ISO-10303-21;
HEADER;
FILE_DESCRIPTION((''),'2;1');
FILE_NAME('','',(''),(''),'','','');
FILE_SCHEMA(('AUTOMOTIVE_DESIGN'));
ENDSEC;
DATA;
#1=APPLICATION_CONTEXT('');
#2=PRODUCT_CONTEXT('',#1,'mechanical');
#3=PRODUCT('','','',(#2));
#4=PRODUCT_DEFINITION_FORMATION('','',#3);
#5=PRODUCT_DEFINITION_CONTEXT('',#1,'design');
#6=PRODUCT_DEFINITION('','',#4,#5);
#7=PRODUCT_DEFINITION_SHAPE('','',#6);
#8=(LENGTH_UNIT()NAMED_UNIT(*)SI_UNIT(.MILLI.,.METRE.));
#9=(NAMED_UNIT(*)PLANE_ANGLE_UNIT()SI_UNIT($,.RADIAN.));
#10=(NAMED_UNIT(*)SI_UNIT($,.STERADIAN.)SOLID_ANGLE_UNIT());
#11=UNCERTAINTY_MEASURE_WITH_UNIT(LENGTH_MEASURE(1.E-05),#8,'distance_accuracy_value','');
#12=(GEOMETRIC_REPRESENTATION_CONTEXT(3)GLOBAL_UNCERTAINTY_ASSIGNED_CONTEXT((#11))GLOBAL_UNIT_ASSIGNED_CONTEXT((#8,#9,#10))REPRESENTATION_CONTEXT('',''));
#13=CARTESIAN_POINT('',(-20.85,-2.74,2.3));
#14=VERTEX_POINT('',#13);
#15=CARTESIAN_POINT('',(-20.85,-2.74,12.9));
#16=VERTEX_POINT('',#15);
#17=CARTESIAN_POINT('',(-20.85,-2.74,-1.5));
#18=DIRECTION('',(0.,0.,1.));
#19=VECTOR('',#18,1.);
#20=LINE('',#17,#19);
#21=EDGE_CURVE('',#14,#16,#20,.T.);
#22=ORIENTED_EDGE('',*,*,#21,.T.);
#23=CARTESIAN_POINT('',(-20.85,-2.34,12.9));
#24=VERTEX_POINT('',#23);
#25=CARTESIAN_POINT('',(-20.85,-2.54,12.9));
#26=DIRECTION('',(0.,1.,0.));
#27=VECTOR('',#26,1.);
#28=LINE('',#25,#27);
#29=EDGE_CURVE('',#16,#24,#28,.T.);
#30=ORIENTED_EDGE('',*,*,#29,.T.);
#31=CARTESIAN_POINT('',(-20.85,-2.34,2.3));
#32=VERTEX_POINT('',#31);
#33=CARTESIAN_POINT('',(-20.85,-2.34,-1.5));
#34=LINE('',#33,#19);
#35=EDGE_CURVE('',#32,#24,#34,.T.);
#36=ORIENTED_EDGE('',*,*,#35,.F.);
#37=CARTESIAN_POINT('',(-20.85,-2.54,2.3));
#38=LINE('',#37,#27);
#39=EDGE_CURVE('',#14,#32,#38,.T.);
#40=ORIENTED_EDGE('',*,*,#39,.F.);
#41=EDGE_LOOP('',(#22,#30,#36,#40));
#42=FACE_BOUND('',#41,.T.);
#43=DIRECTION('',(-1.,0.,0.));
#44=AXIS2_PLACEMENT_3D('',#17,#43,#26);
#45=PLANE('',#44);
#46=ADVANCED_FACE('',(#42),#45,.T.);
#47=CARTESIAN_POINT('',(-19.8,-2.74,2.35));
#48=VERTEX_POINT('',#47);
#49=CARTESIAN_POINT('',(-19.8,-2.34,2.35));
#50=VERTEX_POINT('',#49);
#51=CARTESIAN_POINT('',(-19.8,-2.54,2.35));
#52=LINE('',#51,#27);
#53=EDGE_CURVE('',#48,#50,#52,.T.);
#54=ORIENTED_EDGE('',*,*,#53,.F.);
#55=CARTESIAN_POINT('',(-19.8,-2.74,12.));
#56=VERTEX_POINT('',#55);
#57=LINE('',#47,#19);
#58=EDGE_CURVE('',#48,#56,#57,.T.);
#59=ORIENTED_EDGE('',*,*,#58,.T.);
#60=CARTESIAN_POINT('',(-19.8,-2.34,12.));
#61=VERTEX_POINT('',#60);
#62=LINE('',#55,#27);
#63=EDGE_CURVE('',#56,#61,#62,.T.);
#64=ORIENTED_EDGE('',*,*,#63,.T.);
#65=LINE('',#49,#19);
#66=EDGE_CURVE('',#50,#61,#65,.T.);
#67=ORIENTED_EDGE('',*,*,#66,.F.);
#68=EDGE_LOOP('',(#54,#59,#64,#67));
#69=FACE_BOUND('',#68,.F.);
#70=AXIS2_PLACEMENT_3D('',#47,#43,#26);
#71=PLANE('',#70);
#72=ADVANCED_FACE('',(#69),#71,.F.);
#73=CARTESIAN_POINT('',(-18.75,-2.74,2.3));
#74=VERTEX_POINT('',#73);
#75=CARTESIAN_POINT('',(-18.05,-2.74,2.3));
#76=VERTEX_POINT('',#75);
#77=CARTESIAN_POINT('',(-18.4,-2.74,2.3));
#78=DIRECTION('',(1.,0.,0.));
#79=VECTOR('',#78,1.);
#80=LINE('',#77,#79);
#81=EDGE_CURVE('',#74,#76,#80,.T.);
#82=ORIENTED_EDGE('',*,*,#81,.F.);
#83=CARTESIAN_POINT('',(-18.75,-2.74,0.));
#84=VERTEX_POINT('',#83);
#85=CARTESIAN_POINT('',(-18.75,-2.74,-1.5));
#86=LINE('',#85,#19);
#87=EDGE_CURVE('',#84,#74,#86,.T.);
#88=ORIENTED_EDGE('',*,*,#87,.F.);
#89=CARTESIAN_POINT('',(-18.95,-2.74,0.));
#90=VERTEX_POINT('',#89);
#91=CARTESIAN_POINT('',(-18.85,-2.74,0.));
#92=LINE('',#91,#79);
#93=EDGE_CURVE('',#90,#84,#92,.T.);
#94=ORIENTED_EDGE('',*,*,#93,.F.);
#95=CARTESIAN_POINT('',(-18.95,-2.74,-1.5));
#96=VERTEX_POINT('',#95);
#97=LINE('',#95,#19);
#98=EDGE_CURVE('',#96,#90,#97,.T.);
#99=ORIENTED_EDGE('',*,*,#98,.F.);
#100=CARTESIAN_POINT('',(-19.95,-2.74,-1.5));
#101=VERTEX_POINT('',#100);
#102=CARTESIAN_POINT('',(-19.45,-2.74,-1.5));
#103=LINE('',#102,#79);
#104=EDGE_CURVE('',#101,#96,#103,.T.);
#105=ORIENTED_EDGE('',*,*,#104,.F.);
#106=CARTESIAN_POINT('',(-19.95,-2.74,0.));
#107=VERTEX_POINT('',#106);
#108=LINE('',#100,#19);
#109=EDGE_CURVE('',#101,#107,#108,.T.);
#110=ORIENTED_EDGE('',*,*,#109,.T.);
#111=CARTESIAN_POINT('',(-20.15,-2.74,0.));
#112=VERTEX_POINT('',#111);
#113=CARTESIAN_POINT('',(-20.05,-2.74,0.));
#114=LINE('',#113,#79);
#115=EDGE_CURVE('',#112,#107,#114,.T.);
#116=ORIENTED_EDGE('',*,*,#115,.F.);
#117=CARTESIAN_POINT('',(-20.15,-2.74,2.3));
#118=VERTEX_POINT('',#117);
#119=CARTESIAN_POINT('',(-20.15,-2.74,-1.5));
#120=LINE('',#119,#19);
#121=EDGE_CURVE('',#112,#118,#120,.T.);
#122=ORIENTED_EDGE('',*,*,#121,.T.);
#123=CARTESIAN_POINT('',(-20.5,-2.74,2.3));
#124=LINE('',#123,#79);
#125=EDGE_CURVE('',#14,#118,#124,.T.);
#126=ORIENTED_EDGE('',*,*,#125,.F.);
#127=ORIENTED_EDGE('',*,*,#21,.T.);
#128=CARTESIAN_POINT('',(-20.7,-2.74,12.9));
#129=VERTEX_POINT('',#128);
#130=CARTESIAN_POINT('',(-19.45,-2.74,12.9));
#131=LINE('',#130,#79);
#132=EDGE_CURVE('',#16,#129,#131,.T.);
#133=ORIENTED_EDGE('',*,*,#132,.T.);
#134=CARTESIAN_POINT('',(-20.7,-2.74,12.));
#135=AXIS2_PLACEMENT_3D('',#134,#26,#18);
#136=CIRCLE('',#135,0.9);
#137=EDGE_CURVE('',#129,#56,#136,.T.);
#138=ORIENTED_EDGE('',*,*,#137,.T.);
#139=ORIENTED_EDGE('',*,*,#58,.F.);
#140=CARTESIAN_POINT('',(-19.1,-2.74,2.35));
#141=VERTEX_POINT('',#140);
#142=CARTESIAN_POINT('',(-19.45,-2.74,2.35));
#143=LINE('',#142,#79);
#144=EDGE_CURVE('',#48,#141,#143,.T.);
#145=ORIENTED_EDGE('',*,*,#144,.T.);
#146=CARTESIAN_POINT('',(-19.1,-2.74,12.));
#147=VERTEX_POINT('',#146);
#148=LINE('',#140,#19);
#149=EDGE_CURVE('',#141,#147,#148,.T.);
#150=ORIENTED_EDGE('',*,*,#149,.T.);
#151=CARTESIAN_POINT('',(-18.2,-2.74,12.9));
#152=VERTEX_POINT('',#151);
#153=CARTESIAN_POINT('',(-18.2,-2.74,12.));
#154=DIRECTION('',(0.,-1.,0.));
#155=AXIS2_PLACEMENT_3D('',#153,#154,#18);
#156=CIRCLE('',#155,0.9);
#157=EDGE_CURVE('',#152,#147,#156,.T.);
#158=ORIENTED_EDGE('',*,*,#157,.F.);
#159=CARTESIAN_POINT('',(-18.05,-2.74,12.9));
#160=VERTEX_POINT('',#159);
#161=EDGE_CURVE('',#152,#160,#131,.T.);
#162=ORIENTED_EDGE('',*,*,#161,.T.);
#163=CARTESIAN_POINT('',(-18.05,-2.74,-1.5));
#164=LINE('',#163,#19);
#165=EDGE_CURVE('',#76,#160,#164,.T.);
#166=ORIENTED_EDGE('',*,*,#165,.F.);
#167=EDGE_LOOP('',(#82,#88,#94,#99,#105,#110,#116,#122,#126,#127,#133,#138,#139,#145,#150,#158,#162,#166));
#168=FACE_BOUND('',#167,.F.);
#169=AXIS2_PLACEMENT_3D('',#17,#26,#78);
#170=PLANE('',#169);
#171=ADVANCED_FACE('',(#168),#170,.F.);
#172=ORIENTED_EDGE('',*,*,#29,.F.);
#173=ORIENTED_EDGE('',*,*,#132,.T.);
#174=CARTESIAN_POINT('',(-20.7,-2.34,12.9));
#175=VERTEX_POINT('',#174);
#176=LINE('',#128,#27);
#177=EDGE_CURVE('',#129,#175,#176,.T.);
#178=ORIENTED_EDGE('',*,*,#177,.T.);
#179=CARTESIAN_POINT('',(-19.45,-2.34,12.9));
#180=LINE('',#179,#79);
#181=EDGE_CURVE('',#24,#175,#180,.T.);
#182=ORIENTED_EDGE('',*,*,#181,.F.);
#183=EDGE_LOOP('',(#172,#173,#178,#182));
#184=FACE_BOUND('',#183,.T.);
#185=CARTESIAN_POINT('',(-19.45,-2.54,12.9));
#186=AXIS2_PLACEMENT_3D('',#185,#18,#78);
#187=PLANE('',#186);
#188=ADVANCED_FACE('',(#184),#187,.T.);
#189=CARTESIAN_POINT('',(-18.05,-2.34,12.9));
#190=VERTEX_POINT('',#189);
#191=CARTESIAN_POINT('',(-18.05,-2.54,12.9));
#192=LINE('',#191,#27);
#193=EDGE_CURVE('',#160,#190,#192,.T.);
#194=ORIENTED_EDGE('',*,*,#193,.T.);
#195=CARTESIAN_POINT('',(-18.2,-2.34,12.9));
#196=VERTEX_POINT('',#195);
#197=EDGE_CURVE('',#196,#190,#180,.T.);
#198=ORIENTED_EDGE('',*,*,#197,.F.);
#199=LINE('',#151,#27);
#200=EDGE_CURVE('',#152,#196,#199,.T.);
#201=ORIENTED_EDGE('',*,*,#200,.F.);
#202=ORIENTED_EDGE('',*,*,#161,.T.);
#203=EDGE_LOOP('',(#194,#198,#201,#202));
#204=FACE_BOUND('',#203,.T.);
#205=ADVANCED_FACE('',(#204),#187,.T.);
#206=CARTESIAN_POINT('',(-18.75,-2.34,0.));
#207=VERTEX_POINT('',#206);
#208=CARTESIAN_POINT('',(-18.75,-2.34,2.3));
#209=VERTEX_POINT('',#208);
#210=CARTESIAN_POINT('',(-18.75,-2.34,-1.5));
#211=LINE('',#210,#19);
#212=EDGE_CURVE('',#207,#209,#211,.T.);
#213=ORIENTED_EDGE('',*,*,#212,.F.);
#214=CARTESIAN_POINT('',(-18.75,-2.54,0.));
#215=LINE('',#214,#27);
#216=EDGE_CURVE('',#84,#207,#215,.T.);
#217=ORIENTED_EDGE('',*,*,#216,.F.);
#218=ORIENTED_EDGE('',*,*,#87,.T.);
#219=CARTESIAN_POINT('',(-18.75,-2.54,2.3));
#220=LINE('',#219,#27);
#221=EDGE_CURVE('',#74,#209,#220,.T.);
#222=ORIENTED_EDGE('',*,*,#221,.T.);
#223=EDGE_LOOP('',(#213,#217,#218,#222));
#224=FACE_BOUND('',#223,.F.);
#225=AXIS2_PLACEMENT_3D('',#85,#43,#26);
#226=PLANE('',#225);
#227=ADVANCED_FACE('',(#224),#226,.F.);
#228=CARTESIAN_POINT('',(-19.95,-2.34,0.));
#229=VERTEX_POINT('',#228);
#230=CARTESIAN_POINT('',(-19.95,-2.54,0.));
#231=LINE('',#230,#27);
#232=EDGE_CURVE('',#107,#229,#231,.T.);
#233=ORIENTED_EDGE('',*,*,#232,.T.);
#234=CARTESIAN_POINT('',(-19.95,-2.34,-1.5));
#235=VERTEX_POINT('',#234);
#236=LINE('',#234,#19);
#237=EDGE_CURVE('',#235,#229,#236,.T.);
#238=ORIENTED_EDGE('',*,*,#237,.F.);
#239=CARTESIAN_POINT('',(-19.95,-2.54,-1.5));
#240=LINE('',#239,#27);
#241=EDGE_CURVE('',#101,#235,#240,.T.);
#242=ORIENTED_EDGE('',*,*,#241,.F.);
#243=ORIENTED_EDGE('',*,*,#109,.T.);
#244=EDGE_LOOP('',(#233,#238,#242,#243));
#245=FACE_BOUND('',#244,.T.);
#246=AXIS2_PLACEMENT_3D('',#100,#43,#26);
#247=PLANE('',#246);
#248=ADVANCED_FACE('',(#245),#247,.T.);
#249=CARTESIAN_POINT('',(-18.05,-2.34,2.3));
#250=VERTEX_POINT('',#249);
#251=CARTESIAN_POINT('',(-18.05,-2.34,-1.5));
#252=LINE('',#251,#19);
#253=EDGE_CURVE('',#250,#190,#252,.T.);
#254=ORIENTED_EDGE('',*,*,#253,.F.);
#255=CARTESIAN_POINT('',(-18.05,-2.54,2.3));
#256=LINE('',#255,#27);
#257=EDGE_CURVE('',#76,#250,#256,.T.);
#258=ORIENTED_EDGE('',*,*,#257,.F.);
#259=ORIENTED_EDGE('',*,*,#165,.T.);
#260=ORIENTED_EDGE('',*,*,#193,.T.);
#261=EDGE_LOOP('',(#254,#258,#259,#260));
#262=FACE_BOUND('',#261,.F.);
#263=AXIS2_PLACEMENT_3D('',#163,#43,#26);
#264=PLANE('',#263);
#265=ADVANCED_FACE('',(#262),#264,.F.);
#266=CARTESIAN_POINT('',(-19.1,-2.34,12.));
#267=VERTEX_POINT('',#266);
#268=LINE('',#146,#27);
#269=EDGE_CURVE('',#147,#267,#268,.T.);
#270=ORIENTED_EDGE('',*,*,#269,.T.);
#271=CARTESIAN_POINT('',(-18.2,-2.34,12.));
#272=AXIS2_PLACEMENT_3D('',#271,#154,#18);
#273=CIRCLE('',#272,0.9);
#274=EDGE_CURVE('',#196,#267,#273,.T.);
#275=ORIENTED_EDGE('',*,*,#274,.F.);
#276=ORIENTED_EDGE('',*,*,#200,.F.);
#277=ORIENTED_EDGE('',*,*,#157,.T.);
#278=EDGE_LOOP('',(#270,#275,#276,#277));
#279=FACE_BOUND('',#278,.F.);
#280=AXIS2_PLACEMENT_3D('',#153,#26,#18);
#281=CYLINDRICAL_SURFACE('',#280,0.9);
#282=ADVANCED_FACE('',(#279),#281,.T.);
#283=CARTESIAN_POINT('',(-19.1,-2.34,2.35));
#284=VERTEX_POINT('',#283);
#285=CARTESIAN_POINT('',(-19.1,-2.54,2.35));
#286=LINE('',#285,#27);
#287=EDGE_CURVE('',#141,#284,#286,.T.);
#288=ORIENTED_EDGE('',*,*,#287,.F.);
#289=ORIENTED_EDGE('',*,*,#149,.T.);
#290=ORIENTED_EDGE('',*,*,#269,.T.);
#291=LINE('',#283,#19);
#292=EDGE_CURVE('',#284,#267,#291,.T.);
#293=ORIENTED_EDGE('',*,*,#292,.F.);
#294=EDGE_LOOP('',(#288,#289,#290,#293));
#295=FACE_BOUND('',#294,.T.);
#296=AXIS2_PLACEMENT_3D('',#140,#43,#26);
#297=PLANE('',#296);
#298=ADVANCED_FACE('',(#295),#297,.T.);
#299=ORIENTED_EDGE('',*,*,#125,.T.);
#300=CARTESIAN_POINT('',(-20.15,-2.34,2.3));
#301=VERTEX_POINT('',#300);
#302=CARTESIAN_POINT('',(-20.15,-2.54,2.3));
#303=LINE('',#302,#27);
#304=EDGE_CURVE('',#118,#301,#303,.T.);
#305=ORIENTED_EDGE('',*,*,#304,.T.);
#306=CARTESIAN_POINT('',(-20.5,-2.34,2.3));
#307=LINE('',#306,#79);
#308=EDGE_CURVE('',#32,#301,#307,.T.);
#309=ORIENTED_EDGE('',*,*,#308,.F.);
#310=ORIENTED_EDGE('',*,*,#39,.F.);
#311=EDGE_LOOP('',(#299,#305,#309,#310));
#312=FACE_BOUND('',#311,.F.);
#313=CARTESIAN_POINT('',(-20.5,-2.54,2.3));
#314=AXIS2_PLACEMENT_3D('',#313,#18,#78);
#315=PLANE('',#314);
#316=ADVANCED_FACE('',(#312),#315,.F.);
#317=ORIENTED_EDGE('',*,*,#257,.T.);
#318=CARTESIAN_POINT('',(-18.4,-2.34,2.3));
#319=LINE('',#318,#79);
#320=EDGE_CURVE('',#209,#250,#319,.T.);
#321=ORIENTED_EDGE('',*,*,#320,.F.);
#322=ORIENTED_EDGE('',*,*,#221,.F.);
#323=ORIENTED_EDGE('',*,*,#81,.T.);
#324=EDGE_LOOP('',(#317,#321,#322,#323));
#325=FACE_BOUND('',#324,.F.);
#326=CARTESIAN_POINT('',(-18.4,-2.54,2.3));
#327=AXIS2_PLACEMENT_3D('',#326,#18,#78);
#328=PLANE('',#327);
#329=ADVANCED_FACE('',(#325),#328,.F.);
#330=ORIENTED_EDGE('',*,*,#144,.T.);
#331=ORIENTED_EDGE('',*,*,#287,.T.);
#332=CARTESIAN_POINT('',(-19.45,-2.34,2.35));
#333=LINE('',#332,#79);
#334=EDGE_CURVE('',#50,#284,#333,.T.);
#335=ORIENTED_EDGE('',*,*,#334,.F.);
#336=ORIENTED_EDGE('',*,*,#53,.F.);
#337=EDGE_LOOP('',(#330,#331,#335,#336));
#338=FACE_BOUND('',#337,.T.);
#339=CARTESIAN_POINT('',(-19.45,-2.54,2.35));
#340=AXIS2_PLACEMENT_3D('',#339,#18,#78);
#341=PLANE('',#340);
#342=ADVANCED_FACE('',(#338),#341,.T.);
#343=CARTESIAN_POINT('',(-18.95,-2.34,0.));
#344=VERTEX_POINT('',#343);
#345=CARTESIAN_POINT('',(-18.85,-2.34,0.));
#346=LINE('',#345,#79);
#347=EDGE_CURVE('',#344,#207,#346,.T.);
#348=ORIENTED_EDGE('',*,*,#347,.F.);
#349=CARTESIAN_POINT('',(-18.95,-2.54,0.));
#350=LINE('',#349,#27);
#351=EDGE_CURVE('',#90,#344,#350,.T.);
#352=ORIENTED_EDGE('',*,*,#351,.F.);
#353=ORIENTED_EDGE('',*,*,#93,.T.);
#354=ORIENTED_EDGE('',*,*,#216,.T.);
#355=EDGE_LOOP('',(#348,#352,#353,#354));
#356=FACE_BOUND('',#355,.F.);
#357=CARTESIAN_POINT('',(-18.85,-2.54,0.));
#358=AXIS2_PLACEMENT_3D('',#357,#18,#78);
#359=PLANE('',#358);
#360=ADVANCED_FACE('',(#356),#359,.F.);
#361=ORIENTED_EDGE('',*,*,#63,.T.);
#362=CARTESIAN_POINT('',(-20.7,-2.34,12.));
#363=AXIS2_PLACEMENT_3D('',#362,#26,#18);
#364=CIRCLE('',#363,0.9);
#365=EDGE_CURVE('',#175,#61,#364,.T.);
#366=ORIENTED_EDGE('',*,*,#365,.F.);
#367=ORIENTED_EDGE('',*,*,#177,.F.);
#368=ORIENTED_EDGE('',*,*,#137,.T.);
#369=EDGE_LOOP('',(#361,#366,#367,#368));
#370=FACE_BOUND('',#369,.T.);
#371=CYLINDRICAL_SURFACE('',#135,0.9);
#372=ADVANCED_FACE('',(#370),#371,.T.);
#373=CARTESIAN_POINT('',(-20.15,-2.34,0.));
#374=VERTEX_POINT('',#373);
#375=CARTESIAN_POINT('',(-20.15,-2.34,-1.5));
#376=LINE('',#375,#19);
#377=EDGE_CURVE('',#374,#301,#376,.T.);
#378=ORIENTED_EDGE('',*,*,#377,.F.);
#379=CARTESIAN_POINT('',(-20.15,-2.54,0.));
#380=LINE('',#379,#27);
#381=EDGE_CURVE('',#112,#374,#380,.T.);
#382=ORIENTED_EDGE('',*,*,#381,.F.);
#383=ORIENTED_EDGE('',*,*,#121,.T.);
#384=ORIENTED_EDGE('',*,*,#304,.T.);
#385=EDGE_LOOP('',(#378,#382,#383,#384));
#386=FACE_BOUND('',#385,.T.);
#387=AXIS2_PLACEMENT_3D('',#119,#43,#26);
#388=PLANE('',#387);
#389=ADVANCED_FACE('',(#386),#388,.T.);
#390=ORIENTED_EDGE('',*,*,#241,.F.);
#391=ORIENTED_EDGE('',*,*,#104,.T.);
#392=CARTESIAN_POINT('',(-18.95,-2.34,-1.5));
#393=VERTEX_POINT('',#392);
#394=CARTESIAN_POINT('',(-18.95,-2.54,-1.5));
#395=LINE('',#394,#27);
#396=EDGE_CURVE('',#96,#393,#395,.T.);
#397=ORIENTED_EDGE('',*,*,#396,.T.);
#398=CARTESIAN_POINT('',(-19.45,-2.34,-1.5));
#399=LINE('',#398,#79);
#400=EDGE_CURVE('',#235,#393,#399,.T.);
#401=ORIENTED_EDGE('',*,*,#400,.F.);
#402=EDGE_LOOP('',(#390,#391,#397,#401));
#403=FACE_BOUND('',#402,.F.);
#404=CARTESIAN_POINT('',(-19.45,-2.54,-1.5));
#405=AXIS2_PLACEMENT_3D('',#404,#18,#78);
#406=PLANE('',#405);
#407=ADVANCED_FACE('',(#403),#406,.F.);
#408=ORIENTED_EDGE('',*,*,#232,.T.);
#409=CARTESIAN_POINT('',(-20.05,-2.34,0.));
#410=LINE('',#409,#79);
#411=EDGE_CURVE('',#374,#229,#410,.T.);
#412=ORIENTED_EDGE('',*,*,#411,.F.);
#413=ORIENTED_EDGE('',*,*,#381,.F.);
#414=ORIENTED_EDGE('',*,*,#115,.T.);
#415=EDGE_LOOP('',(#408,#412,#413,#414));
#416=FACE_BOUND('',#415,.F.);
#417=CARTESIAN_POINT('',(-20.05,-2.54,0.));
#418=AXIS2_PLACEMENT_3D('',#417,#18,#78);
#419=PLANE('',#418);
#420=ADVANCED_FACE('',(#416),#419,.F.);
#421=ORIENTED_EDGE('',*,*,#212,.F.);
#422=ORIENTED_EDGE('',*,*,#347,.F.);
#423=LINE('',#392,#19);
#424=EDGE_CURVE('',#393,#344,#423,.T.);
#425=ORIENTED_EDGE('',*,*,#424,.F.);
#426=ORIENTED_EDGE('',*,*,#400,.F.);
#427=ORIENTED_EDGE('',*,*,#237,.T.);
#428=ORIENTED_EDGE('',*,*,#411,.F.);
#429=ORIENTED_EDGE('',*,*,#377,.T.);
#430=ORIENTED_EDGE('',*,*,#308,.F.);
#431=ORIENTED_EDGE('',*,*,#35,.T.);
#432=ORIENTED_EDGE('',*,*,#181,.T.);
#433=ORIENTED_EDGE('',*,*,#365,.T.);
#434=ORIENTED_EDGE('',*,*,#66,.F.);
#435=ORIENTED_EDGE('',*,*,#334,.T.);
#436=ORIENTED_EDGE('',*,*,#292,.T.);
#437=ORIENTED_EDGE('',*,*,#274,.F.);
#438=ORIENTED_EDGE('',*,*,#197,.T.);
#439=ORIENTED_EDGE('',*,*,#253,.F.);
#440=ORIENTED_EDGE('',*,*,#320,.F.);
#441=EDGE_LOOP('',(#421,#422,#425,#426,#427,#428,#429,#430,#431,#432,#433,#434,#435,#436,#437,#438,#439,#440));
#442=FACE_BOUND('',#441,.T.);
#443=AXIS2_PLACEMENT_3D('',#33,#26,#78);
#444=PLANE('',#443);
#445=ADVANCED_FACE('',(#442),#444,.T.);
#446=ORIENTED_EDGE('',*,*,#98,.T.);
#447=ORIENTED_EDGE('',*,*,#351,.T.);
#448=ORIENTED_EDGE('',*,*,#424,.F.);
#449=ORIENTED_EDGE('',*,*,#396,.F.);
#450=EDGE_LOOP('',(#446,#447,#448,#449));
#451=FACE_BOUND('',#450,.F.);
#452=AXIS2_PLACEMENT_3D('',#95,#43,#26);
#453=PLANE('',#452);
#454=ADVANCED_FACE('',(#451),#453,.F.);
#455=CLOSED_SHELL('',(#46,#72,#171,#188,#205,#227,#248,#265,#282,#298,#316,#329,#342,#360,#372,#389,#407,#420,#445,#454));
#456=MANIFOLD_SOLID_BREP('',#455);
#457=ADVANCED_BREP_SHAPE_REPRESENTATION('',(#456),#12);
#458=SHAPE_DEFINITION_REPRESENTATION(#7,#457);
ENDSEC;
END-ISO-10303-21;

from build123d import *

# Parameters (mm, degrees)
BOX008_W     = 2.8
BOX008_H     = 0.4
BOX008_DEPTH = 14.4
BOX009_W     = 0.7
BOX009_H     = 0.4
BOX009_DEPTH = 10.55
BOX010_W     = 0.7
BOX010_H     = 0.4
BOX010_DEPTH = 3.8
BOX011_W     = 0.7
BOX011_H     = 0.4
BOX011_DEPTH = 3.8
BOX013_W     = 0.2
BOX013_H     = 0.4
BOX013_DEPTH = 1.5
BOX014_W     = 0.2
BOX014_H     = 0.4
BOX014_DEPTH = 1.5
FILLET002_R  = 0.9


with BuildPart() as part:
    # Box008 → Box008 (join)
    with BuildSketch(Plane(origin=(-20.85, -2.74, -1.5), x_dir=(1, 0, 0), z_dir=(0, 0, 1))):
        with Locations((1.4, 0.2)):
            Rectangle(BOX008_W, BOX008_H)
    extrude(amount=BOX008_DEPTH)

    # Box009 → Box009 (cut)
    with BuildSketch(Plane(origin=(-19.8, -2.74, 2.35), x_dir=(1, 0, 0), z_dir=(0, 0, 1))):
        with Locations((0.35, 0.2)):
            Rectangle(BOX009_W, BOX009_H)
    extrude(amount=BOX009_DEPTH, mode=Mode.SUBTRACT)

    # Box010 → Box010 (cut)
    with BuildSketch(Plane(origin=(-20.85, -2.74, -1.5), x_dir=(1, 0, 0), z_dir=(0, 0, 1))):
        with Locations((0.35, 0.2)):
            Rectangle(BOX010_W, BOX010_H)
    extrude(amount=BOX010_DEPTH, mode=Mode.SUBTRACT)

    # Box011 → Box011 (cut)
    with BuildSketch(Plane(origin=(-18.75, -2.74, -1.5), x_dir=(1, 0, 0), z_dir=(0, 0, 1))):
        with Locations((0.35, 0.2)):
            Rectangle(BOX011_W, BOX011_H)
    extrude(amount=BOX011_DEPTH, mode=Mode.SUBTRACT)

    # Box013 → Box013 (cut)
    with BuildSketch(Plane(origin=(-20.15, -2.74, -1.5), x_dir=(1, 0, 0), z_dir=(0, 0, 1))):
        with Locations((0.1, 0.2)):
            Rectangle(BOX013_W, BOX013_H)
    extrude(amount=BOX013_DEPTH, mode=Mode.SUBTRACT)

    # Box014 → Box014 (cut)
    with BuildSketch(Plane(origin=(-18.95, -2.74, -1.5), x_dir=(1, 0, 0), z_dir=(0, 0, 1))):
        with Locations((0.1, 0.2)):
            Rectangle(BOX014_W, BOX014_H)
    extrude(amount=BOX014_DEPTH, mode=Mode.SUBTRACT)

    # Fillet002
    fillet002_edges = [part.edges().sort_by_distance(p)[0] for p in [
        (-19.8, -2.54, 12.9),
        (-19.1, -2.54, 12.9),
    ]]
    fillet(fillet002_edges, radius=FILLET002_R)


solid = part.part
